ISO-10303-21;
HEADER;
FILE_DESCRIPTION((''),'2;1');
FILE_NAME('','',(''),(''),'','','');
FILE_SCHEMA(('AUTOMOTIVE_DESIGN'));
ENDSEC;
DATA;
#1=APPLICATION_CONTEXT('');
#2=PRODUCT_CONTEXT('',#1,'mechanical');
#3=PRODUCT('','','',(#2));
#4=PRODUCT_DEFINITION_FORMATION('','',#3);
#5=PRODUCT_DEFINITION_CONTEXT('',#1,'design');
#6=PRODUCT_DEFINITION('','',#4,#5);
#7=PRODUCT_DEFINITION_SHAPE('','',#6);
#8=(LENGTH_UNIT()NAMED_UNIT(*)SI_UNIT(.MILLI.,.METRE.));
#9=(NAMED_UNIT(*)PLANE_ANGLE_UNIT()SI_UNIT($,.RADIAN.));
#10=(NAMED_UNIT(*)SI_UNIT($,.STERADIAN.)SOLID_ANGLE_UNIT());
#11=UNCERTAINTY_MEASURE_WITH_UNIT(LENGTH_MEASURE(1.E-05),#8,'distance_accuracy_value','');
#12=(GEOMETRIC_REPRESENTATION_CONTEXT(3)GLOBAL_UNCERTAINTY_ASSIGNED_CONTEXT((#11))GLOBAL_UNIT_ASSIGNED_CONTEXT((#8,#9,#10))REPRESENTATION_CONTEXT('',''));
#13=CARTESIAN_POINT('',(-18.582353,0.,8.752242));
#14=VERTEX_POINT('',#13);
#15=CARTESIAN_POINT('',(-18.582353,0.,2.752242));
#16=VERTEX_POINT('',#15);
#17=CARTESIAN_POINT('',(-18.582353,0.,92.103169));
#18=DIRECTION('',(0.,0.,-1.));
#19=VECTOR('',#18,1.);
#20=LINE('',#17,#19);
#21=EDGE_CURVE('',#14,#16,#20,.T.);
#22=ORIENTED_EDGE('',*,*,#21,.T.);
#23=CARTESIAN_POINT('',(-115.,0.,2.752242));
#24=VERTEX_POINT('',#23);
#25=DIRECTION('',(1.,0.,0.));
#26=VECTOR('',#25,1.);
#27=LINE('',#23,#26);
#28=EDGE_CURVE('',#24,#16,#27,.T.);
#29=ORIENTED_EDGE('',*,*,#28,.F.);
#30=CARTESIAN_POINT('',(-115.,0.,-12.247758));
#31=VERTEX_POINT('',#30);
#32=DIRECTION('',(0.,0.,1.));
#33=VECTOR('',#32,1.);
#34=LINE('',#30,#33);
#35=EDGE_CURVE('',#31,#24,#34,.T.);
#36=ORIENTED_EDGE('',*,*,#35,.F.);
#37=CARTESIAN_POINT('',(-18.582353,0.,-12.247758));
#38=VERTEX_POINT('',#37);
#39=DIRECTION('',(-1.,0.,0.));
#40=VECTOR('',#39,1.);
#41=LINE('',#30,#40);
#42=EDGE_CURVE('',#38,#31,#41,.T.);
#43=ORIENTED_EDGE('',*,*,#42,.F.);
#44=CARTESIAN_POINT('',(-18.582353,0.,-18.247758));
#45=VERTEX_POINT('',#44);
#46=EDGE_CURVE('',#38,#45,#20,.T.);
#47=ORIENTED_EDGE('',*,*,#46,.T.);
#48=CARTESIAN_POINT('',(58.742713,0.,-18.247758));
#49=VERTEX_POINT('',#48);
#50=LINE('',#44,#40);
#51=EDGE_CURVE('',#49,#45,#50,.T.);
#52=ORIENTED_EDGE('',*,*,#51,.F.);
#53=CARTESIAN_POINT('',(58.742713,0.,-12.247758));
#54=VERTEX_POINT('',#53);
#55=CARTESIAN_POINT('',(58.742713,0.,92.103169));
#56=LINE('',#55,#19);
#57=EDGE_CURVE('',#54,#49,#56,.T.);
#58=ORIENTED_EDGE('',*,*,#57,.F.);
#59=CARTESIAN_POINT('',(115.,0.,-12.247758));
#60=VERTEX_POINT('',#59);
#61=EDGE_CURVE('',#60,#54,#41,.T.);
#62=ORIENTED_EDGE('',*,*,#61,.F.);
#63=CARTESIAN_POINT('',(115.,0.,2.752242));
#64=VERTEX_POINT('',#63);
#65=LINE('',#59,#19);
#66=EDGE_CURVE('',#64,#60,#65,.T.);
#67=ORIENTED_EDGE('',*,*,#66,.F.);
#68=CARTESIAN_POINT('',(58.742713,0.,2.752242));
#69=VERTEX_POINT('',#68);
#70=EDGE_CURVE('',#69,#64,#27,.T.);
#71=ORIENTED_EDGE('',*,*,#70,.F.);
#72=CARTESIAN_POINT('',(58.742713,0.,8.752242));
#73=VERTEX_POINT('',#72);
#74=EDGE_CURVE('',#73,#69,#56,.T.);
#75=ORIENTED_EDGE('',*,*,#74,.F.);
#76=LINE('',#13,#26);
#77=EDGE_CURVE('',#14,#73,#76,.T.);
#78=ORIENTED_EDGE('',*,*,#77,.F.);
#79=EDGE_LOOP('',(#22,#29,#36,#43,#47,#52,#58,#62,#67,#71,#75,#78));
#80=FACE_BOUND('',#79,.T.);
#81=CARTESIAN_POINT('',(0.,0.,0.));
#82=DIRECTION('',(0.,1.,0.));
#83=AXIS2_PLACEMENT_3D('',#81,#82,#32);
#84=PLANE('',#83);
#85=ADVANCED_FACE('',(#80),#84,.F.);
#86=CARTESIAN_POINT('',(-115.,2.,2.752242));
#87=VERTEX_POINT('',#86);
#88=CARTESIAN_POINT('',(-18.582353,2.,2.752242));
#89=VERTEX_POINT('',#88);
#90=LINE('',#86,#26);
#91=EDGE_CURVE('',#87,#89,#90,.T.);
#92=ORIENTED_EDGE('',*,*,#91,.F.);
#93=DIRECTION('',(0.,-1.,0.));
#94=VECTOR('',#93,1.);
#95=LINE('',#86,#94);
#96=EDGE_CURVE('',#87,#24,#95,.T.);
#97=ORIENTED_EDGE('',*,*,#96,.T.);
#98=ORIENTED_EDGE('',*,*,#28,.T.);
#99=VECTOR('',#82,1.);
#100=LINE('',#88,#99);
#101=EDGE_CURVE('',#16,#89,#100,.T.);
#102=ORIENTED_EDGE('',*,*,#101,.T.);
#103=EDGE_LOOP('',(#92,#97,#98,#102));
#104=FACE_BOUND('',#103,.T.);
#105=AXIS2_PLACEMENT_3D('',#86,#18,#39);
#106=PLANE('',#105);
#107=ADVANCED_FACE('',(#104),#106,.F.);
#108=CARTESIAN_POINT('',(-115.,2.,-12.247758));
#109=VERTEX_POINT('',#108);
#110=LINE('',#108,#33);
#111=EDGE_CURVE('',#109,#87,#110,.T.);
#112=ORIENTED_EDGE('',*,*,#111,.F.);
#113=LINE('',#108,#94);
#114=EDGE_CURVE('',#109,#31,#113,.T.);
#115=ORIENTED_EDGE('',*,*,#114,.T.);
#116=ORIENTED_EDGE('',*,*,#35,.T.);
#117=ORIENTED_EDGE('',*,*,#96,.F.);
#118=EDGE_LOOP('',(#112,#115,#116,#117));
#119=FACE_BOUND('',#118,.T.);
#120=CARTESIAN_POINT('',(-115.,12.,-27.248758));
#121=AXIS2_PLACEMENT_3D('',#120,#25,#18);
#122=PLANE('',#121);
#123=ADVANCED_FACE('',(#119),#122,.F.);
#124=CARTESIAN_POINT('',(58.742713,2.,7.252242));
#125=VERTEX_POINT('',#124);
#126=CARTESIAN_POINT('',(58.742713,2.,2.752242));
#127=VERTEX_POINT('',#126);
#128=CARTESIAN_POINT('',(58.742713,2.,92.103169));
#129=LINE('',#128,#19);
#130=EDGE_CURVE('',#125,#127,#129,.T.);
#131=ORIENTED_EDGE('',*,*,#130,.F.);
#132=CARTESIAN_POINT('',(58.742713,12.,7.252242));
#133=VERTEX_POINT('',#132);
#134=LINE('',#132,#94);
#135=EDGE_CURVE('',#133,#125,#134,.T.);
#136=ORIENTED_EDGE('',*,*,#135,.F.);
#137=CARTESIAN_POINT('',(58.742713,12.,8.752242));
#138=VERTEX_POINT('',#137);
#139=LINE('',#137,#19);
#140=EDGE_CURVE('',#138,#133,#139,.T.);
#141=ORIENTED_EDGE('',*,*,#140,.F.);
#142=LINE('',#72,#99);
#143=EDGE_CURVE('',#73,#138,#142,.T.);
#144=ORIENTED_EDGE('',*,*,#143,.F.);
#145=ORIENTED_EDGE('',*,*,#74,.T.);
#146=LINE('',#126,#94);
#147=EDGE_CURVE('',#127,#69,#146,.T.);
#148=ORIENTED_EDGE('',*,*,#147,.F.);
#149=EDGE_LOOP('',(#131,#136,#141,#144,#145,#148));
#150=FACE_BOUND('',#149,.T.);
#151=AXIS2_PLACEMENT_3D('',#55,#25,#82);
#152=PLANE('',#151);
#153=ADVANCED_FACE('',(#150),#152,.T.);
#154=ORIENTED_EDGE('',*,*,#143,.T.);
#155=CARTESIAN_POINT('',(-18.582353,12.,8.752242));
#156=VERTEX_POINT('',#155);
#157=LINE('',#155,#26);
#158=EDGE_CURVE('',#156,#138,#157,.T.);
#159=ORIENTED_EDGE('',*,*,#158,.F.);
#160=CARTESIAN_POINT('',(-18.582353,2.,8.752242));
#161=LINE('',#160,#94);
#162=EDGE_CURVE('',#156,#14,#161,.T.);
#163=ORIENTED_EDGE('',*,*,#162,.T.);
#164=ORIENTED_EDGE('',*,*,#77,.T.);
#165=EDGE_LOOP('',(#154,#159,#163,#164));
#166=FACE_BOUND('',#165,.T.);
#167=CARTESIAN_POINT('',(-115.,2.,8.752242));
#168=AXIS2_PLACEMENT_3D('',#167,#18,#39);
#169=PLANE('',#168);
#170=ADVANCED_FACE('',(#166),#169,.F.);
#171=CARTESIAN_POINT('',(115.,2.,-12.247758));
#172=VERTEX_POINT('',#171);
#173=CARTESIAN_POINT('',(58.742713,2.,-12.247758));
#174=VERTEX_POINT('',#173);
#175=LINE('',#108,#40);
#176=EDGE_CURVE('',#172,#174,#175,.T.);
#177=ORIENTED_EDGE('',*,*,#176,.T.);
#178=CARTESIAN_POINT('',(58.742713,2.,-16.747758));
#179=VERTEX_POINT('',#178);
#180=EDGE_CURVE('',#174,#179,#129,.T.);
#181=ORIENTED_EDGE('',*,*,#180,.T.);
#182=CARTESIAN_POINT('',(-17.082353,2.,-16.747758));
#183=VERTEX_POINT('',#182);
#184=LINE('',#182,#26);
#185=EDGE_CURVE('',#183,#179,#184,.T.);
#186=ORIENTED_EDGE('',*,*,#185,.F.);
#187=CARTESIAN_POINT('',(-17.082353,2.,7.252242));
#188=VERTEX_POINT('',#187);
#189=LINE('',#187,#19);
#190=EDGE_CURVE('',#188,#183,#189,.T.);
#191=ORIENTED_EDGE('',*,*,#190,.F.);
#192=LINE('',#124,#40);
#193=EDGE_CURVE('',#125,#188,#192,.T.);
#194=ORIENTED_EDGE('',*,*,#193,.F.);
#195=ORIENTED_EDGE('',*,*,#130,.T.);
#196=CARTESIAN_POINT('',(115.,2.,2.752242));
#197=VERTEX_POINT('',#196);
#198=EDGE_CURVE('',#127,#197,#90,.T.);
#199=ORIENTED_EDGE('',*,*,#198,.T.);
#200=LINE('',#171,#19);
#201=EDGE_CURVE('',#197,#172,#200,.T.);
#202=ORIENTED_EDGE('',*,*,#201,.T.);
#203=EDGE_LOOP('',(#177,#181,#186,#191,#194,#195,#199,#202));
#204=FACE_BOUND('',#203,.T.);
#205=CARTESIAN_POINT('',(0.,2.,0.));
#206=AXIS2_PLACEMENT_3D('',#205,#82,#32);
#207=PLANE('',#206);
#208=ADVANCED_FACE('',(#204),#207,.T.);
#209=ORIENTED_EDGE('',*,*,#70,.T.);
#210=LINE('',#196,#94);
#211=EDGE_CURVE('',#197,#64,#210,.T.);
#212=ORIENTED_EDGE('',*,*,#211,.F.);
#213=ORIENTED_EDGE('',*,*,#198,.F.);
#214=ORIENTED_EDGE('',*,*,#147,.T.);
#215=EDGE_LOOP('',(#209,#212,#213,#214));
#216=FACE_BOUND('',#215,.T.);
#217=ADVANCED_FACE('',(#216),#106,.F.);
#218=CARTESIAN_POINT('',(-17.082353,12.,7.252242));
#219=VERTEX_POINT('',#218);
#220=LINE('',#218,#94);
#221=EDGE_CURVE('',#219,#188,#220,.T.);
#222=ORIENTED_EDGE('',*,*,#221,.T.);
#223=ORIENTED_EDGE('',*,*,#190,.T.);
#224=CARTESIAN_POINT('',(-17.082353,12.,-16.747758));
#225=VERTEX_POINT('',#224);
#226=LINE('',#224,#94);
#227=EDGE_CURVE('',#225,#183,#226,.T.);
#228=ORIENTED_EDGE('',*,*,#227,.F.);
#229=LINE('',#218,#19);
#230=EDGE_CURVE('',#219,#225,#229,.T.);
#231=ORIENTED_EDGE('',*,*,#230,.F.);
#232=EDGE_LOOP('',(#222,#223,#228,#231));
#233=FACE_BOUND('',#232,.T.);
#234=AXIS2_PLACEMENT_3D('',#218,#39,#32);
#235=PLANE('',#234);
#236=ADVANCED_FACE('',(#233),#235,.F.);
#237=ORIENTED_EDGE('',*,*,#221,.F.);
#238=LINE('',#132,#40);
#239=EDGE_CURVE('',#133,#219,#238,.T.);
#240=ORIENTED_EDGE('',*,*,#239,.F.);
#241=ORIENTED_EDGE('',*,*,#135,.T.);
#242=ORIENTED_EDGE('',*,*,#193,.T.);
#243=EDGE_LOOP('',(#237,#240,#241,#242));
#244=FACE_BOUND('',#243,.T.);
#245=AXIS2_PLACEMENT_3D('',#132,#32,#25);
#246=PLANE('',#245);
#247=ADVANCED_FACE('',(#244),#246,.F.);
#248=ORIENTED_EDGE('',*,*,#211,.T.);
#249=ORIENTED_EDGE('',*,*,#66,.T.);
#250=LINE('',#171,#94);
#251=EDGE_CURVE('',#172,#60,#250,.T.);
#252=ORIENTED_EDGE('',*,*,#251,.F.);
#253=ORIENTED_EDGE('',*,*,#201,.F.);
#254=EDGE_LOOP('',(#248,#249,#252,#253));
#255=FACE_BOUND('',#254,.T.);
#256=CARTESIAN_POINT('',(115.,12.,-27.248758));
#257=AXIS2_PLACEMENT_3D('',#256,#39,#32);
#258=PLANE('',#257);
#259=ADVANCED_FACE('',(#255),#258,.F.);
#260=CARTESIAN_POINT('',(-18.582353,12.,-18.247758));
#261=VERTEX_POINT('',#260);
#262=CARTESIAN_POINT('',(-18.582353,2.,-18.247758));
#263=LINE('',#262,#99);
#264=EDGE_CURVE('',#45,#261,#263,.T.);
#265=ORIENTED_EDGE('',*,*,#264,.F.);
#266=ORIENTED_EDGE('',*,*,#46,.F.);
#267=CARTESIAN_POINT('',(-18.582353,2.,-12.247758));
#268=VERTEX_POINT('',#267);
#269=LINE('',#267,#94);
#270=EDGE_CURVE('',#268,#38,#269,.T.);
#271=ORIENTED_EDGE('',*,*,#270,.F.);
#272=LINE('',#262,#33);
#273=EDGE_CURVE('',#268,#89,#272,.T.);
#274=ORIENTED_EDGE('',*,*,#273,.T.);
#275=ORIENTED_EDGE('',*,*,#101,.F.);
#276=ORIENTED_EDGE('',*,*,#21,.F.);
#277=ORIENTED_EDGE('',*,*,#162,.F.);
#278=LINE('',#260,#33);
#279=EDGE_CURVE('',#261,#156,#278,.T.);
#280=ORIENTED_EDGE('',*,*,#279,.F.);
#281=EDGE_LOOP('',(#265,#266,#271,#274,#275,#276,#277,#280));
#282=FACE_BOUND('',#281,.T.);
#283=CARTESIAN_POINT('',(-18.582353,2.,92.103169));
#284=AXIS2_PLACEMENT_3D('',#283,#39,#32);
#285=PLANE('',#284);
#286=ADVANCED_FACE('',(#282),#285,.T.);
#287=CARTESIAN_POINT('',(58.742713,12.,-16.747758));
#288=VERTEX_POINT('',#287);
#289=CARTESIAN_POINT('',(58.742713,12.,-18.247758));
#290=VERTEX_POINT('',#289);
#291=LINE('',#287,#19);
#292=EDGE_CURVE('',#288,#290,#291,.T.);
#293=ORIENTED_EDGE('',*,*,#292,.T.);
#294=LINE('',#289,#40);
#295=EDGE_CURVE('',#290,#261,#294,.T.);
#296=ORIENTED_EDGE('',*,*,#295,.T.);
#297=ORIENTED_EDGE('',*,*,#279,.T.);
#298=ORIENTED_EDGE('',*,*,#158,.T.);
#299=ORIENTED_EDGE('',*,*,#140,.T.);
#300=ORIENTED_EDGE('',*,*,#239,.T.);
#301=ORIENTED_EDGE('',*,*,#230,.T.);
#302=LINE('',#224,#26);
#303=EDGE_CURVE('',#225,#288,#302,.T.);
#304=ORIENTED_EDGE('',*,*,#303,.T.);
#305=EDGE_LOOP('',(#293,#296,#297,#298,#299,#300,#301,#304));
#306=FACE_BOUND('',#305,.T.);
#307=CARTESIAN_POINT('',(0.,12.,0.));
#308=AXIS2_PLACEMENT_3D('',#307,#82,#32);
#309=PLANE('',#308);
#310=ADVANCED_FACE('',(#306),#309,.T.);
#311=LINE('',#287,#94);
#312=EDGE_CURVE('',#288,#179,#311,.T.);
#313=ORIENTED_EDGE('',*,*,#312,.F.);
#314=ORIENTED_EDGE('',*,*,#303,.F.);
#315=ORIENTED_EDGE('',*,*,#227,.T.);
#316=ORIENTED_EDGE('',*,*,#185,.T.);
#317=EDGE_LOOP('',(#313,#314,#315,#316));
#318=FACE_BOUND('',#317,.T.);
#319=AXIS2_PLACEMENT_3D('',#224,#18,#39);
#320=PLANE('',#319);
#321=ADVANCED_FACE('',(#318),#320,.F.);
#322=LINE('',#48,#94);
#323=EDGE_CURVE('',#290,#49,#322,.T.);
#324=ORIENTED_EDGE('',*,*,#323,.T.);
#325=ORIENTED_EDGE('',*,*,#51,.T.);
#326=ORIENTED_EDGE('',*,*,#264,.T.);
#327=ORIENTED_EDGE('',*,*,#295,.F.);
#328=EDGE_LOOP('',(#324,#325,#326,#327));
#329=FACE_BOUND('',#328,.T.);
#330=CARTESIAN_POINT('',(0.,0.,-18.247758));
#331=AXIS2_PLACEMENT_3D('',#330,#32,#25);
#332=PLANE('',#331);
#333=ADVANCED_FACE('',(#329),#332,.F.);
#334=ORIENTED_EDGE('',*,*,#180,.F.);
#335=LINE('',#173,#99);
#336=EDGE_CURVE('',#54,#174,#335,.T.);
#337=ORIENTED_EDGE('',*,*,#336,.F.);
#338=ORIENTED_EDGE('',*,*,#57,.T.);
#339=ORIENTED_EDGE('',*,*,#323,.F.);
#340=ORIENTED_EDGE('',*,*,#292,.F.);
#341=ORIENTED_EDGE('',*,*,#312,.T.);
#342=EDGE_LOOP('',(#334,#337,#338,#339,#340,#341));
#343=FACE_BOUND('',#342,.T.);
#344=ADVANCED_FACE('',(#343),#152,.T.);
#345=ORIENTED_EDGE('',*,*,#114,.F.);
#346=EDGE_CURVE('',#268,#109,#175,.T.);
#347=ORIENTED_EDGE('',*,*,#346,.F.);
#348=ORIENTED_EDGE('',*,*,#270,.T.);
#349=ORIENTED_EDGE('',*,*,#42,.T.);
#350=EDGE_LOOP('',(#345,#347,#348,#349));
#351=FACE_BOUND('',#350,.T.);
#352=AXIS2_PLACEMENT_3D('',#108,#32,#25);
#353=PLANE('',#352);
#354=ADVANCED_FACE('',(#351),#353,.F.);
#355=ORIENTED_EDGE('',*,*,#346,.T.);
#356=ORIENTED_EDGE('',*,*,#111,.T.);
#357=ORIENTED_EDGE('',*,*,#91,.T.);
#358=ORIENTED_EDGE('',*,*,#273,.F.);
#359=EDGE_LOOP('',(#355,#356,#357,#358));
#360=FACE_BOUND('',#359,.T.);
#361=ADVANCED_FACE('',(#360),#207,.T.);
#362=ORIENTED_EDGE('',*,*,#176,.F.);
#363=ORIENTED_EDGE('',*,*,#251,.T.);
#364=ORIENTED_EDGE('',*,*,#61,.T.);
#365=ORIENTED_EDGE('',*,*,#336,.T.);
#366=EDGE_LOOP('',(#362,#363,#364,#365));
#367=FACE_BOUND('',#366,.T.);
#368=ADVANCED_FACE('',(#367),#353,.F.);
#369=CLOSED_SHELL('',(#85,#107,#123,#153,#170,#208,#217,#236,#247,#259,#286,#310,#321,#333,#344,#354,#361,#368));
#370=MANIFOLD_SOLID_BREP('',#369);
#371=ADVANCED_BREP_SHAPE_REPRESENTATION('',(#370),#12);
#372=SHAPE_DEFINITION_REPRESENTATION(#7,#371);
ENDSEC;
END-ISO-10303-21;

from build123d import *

# Parameters (mm, degrees)
CROQUIS1_W                   = 230
CROQUIS1_H                   = 15
SALIENTE_EXTRUIR1_DEPTH      = 2
CROQUIS2_W                   = 45
CROQUIS2_H                   = 22
SALIENTE_EXTRUIR2_DEPTH      = 5
CROQUIS3_W                   = 45
CROQUIS3_H                   = 22
SALIENTE_EXTRUIR3_DEPTH      = 5
SALIENTE_EXTRUIR4_DEPTH      = 6
SALIENTE_EXTRUIR4_DEPTH_BACK = 21
CROQUIS6_W                   = 77.325066443
CROQUIS6_H                   = 2
SALIENTE_EXTRUIR5_DEPTH      = 10
CORTAR_EXTRUIR1_REACH        = 130.721
CROQUIS9_W                   = 5
CROQUIS9_H                   = 22


with BuildPart() as part:
    # Croquis1 → Saliente-Extruir1 (new body)
    with BuildSketch(Plane(origin=(0, 0, 0), x_dir=(1, 0, 0), z_dir=(0, 1, 0))):
        with Locations((0, 4.747757848)):
            Rectangle(CROQUIS1_W, CROQUIS1_H)
    extrude(amount=SALIENTE_EXTRUIR1_DEPTH)

    # Croquis2 → Saliente-Extruir2 (add)
    with BuildSketch(Plane(origin=(115, 0, 0), x_dir=(0, 0, -1), z_dir=(1, 0, 0))):
        with Locations((4.747757848, 1)):
            Rectangle(CROQUIS2_W, CROQUIS2_H)
    extrude(amount=SALIENTE_EXTRUIR2_DEPTH)

    # Croquis3 → Saliente-Extruir3 (add)
    with BuildSketch(Plane.ZY.offset(115)):
        with Locations((-4.747757848, 1)):
            Rectangle(CROQUIS3_W, CROQUIS3_H)
    extrude(amount=SALIENTE_EXTRUIR3_DEPTH)

    # Croquis6 → Saliente-Extruir4 (add, two sides: drawn at the far end of the back side and taken through both)
    with BuildSketch(Plane(origin=(0, 0, -12.247757848), x_dir=(-1, 0, 0), z_dir=(0, 0, -1)).offset(-SALIENTE_EXTRUIR4_DEPTH_BACK)):
        with Locations((-20.080179861, 1)):
            Rectangle(CROQUIS6_W, CROQUIS6_H)
    extrude(amount=SALIENTE_EXTRUIR4_DEPTH + SALIENTE_EXTRUIR4_DEPTH_BACK)

    # Croquis7 → Saliente-Extruir5 (add)
    with BuildSketch(Plane(origin=(0, 2, 0), x_dir=(1, 0, 0), z_dir=(0, 1, 0))):
        Polygon((-18.58235336, 18.247757848), (-18.58235336, -8.752242152), (58.742713083, -8.752242152), (58.742713083, -7.252242152), (-17.08235336, -7.252242152), (-17.08235336, 16.747757848), (58.742713083, 16.747757848), (58.742713083, 18.247757848), align=None)
    extrude(amount=SALIENTE_EXTRUIR5_DEPTH)

    # Croquis9 → Cortar-Extruir1 (cut, up to next)
    with BuildSketch(Plane.XY.offset(17.752242152), mode=Mode.PRIVATE) as cortar_extruir1_sk1:
        with Locations((-117.5, 1)):
            Rectangle(CROQUIS9_W, CROQUIS9_H)
    cortar_extruir1_tool1 = extrude(cortar_extruir1_sk1.sketch, amount=-CORTAR_EXTRUIR1_REACH, mode=Mode.PRIVATE) & part.part
    # Croquis9 → Cortar-Extruir1 (cut, up to next)
    with BuildSketch(Plane.XY.offset(17.752242152), mode=Mode.PRIVATE) as cortar_extruir1_sk2:
        with Locations((117.5, 1)):
            Rectangle(CROQUIS9_W, CROQUIS9_H)
    cortar_extruir1_tool2 = extrude(cortar_extruir1_sk2.sketch, amount=-CORTAR_EXTRUIR1_REACH, mode=Mode.PRIVATE) & part.part
    add(cortar_extruir1_tool1.solids().sort_by_distance((-117.5, 1, 17.752242))[0], mode=Mode.SUBTRACT)
    add(cortar_extruir1_tool2.solids().sort_by_distance((117.5, 1, 17.752242))[0], mode=Mode.SUBTRACT)


solid = part.part
